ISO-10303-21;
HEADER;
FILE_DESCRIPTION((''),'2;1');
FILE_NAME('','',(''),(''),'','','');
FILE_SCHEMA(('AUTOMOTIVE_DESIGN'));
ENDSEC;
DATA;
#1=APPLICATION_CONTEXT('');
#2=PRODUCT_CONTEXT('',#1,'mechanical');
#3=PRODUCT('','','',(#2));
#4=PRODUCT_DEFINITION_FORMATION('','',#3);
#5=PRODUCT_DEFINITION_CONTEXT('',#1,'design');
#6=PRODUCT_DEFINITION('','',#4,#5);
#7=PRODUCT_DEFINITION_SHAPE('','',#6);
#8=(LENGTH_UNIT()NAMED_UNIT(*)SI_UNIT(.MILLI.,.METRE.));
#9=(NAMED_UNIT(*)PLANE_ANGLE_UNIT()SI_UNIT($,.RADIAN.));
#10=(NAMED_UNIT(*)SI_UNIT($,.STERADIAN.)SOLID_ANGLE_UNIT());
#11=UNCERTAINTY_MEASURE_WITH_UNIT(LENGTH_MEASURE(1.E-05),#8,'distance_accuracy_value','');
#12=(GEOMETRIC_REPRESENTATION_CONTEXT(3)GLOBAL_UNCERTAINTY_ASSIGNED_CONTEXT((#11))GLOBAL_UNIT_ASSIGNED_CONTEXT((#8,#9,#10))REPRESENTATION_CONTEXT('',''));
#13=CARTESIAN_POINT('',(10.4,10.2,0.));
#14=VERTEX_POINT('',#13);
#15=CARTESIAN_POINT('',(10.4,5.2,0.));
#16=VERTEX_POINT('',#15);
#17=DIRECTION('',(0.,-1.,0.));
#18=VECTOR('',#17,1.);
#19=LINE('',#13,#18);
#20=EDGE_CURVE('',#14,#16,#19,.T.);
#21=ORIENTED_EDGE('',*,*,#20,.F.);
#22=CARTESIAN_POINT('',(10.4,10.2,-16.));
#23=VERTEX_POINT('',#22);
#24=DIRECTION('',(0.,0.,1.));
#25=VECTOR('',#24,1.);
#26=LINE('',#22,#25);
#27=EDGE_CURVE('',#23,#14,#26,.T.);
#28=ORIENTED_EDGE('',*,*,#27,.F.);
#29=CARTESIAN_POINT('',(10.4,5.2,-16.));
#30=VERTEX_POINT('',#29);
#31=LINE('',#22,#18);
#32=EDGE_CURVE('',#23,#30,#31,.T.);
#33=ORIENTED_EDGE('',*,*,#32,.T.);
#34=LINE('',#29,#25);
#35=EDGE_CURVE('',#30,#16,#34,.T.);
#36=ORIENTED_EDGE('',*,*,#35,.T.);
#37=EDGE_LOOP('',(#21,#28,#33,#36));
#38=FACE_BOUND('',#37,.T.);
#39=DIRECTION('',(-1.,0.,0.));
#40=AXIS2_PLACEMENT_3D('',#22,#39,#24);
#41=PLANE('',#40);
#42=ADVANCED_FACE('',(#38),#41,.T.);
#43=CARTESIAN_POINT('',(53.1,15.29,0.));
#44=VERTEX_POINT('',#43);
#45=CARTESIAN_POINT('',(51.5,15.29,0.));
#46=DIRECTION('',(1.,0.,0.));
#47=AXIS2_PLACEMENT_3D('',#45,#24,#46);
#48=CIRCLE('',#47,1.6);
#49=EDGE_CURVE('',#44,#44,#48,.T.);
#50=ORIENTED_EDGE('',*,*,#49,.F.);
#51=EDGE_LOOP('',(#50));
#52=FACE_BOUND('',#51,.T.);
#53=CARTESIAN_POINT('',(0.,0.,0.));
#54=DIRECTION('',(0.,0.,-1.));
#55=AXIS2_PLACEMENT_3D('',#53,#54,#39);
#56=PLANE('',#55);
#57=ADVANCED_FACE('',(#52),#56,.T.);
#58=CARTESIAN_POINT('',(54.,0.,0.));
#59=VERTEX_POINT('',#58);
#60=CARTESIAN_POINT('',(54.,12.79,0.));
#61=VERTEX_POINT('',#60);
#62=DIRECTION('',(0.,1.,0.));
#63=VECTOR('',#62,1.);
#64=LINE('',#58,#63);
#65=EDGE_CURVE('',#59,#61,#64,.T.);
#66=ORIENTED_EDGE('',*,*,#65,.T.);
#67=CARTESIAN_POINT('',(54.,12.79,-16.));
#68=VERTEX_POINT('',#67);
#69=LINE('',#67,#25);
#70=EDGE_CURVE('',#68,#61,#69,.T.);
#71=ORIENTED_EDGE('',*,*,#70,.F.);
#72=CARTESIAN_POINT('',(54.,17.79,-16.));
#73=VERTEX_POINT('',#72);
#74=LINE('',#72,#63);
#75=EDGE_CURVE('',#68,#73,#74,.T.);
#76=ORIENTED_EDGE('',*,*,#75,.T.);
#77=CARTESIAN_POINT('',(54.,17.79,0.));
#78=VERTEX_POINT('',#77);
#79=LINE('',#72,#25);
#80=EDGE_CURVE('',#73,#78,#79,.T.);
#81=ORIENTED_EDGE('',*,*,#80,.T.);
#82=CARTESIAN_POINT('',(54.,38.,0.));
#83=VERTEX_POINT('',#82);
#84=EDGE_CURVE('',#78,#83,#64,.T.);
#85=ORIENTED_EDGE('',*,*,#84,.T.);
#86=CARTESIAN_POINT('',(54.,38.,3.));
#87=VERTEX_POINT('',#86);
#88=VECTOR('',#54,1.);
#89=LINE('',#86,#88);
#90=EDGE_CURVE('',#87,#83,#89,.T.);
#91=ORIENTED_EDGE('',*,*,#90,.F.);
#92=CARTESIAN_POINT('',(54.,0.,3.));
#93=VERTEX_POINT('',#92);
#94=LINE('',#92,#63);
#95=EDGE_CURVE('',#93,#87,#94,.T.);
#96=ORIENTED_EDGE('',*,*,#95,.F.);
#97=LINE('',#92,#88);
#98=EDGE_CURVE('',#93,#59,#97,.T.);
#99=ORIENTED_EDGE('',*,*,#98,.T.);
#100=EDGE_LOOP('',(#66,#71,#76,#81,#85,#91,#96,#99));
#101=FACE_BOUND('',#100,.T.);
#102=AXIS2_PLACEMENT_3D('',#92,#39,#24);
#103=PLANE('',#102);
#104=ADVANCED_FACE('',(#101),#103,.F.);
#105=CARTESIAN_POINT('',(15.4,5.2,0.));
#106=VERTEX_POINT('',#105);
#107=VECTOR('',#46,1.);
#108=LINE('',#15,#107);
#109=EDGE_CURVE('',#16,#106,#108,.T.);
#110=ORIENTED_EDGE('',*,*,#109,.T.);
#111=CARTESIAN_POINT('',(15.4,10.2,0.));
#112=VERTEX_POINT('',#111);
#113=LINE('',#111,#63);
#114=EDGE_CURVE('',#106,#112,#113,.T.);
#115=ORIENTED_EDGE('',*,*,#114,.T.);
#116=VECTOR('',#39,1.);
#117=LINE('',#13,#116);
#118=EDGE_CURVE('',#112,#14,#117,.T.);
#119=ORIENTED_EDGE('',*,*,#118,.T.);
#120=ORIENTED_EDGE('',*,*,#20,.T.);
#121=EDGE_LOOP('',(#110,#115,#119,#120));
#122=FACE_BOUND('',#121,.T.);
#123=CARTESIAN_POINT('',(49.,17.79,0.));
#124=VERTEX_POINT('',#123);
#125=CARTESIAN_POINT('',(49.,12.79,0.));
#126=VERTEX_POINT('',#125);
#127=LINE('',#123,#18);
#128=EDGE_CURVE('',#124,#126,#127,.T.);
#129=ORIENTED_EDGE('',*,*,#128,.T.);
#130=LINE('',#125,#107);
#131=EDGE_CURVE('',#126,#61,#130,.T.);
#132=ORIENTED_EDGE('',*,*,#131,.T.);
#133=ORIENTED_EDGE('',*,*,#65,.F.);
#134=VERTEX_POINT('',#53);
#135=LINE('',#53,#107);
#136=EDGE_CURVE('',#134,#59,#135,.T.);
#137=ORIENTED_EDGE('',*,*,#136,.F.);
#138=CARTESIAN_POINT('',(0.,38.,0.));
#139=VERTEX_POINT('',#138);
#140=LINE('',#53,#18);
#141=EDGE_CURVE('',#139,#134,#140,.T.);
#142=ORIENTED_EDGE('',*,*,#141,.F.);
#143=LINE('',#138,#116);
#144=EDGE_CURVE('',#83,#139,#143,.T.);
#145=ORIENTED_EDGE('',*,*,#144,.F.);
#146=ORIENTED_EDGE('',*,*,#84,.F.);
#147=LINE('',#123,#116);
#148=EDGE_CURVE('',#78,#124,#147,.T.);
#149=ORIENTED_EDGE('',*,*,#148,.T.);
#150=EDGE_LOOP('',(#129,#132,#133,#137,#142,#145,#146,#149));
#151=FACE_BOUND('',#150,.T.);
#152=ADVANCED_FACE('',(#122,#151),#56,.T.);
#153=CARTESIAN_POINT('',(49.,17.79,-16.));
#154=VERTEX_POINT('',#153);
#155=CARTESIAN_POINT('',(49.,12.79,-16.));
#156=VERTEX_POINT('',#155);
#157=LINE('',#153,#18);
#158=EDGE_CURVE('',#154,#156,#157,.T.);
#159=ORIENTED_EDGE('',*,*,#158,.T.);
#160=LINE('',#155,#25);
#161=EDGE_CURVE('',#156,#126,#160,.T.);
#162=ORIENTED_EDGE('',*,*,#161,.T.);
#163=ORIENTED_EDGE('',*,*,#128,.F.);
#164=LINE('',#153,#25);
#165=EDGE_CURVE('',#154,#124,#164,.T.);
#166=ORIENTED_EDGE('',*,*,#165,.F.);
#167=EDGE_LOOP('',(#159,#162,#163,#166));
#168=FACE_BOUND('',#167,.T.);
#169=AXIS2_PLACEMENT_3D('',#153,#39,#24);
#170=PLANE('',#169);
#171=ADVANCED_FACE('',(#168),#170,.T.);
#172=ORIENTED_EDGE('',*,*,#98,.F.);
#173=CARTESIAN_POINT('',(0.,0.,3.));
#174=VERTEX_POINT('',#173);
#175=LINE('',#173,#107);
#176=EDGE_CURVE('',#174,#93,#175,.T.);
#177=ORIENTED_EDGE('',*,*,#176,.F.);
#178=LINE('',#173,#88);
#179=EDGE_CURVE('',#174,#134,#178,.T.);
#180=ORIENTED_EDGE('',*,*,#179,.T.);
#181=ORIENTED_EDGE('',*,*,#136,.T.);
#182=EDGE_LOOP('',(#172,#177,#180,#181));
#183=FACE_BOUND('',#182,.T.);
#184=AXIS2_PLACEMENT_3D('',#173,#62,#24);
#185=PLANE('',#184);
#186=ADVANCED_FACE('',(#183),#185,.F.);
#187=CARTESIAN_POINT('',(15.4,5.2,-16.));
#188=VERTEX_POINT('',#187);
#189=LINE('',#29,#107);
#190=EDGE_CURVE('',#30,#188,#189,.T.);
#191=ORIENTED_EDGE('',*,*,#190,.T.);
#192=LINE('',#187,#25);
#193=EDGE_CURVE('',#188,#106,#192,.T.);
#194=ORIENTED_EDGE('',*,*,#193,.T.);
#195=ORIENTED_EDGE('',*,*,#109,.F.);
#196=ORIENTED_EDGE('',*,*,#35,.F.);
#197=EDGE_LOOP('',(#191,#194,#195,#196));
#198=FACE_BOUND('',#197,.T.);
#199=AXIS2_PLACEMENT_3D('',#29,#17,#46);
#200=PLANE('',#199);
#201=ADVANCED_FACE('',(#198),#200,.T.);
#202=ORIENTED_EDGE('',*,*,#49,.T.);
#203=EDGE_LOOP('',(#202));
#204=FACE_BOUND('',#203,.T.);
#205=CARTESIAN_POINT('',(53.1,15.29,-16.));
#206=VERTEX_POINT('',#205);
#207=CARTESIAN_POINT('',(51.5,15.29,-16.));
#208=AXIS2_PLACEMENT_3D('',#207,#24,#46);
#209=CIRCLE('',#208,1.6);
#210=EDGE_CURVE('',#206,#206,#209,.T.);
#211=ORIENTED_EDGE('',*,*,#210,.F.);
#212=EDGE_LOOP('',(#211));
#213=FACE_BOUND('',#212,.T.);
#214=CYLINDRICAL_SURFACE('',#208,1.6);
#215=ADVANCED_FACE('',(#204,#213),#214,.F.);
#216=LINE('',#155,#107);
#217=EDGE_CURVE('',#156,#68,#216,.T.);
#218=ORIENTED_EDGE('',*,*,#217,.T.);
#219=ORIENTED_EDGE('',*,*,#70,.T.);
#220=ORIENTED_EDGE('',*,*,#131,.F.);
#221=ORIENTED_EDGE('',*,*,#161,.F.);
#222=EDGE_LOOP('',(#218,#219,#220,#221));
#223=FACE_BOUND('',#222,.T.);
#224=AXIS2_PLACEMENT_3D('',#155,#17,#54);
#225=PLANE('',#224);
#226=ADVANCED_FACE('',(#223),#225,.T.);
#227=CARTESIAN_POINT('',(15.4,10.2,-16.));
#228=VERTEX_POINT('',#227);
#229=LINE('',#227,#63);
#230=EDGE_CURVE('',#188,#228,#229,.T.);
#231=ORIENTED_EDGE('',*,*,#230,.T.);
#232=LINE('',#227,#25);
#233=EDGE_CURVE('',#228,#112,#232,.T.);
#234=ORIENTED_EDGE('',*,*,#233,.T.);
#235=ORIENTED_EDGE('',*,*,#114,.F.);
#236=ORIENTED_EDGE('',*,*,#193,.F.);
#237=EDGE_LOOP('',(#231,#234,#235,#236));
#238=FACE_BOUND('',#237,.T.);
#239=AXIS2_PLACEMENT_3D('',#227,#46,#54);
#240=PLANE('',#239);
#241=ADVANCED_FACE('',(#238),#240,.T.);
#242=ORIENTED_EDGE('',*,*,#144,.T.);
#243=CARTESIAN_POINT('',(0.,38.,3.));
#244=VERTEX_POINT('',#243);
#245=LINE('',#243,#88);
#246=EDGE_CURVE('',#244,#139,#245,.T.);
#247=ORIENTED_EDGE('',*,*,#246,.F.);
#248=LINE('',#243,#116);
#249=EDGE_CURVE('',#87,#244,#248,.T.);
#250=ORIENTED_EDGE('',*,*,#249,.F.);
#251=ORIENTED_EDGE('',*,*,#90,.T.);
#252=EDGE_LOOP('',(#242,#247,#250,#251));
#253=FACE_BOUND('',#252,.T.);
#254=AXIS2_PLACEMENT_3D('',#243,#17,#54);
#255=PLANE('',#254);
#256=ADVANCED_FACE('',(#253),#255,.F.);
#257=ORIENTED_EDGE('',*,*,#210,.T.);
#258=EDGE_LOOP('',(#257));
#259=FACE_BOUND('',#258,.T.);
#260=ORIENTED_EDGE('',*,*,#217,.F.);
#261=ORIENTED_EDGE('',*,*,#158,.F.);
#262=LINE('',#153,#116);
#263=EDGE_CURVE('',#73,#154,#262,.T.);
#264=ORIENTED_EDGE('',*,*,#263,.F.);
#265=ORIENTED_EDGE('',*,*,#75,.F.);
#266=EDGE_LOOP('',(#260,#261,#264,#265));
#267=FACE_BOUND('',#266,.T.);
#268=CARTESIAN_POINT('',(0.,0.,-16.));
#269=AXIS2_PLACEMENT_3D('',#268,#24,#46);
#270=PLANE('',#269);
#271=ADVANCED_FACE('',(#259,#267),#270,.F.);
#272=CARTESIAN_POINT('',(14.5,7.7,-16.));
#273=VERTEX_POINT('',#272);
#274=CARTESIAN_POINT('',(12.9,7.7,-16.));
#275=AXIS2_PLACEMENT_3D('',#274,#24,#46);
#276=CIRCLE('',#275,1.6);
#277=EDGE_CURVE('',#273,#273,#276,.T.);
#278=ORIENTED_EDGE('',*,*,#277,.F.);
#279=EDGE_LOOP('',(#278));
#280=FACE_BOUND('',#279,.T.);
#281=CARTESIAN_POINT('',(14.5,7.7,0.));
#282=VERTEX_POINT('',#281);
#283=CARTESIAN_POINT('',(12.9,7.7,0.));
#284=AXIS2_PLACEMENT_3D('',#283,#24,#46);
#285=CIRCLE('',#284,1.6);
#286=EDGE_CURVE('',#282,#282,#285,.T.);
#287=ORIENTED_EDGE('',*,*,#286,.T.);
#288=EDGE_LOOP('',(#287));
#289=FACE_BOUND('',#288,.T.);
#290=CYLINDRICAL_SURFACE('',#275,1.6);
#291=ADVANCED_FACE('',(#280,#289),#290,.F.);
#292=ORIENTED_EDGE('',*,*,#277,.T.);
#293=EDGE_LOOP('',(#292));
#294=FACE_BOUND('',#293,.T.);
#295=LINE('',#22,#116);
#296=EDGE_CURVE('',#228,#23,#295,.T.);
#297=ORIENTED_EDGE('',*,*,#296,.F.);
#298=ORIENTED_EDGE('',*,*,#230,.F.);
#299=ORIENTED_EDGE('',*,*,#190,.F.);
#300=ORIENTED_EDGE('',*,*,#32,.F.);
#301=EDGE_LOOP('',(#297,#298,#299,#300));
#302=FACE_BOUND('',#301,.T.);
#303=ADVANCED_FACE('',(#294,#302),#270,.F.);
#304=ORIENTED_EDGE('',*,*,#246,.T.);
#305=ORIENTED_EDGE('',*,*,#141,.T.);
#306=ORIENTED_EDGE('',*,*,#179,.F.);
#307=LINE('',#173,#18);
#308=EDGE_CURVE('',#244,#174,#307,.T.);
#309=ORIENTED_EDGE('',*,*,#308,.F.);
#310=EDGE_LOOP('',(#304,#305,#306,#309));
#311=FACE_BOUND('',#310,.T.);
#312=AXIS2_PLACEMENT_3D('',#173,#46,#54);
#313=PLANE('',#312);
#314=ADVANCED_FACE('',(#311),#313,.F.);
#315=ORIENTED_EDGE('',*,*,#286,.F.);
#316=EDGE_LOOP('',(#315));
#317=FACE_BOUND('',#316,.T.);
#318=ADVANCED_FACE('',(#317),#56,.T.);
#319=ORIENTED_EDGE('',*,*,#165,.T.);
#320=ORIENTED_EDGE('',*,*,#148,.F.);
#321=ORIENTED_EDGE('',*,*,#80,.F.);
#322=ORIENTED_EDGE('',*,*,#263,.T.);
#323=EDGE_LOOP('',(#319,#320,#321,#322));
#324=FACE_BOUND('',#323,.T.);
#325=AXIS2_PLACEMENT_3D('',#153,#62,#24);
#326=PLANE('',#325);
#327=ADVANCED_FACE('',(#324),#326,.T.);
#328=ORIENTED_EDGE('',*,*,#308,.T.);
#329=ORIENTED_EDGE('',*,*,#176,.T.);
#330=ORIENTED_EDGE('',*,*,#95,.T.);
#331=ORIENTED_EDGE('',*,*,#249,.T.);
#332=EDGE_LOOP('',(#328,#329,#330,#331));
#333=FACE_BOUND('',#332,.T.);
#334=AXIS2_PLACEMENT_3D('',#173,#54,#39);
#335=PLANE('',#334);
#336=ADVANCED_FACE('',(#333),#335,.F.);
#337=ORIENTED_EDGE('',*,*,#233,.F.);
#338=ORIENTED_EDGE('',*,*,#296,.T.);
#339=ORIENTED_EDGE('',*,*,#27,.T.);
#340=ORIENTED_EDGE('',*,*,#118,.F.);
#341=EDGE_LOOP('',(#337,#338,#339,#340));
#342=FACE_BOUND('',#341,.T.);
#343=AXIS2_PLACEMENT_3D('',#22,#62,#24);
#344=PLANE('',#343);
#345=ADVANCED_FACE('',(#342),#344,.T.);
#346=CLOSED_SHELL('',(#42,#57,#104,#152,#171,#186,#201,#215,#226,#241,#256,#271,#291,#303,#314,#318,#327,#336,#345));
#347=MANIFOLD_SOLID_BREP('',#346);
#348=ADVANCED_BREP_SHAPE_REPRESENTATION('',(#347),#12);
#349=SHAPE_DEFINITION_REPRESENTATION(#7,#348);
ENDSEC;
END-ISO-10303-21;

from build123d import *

# Parameters (mm, degrees)
SKETCH1_W           = 54
SKETCH1_H           = 38
BOSS_EXTRUDE1_DEPTH = 3
SKETCH2_W           = 5
SKETCH2_H           = 5
SKETCH2_R           = 1.6
BOSS_EXTRUDE2_DEPTH = 16


with BuildPart() as part:
    # Sketch1 → Boss-Extrude1 (new body)
    with BuildSketch(Plane.XY):
        with Locations((27, 19)):
            Rectangle(SKETCH1_W, SKETCH1_H)
    extrude(amount=BOSS_EXTRUDE1_DEPTH)

    # Sketch2 → Boss-Extrude2 (add)
    # profile 1 of 2: a face of its own
    with BuildSketch(Plane.XY):
        with Locations((12.9, 7.7)):
            Rectangle(SKETCH2_W, SKETCH2_H)
        with Locations((12.9, 7.7)):
            Circle(SKETCH2_R, mode=Mode.SUBTRACT)
    # profile 2 of 2: a face of its own
    with BuildSketch(Plane.XY):
        with Locations((51.5, 15.29)):
            Rectangle(SKETCH2_W, SKETCH2_H)
        with Locations((51.5, 15.29)):
            Circle(SKETCH2_R, mode=Mode.SUBTRACT)
    extrude(amount=-BOSS_EXTRUDE2_DEPTH)


solid = part.part
